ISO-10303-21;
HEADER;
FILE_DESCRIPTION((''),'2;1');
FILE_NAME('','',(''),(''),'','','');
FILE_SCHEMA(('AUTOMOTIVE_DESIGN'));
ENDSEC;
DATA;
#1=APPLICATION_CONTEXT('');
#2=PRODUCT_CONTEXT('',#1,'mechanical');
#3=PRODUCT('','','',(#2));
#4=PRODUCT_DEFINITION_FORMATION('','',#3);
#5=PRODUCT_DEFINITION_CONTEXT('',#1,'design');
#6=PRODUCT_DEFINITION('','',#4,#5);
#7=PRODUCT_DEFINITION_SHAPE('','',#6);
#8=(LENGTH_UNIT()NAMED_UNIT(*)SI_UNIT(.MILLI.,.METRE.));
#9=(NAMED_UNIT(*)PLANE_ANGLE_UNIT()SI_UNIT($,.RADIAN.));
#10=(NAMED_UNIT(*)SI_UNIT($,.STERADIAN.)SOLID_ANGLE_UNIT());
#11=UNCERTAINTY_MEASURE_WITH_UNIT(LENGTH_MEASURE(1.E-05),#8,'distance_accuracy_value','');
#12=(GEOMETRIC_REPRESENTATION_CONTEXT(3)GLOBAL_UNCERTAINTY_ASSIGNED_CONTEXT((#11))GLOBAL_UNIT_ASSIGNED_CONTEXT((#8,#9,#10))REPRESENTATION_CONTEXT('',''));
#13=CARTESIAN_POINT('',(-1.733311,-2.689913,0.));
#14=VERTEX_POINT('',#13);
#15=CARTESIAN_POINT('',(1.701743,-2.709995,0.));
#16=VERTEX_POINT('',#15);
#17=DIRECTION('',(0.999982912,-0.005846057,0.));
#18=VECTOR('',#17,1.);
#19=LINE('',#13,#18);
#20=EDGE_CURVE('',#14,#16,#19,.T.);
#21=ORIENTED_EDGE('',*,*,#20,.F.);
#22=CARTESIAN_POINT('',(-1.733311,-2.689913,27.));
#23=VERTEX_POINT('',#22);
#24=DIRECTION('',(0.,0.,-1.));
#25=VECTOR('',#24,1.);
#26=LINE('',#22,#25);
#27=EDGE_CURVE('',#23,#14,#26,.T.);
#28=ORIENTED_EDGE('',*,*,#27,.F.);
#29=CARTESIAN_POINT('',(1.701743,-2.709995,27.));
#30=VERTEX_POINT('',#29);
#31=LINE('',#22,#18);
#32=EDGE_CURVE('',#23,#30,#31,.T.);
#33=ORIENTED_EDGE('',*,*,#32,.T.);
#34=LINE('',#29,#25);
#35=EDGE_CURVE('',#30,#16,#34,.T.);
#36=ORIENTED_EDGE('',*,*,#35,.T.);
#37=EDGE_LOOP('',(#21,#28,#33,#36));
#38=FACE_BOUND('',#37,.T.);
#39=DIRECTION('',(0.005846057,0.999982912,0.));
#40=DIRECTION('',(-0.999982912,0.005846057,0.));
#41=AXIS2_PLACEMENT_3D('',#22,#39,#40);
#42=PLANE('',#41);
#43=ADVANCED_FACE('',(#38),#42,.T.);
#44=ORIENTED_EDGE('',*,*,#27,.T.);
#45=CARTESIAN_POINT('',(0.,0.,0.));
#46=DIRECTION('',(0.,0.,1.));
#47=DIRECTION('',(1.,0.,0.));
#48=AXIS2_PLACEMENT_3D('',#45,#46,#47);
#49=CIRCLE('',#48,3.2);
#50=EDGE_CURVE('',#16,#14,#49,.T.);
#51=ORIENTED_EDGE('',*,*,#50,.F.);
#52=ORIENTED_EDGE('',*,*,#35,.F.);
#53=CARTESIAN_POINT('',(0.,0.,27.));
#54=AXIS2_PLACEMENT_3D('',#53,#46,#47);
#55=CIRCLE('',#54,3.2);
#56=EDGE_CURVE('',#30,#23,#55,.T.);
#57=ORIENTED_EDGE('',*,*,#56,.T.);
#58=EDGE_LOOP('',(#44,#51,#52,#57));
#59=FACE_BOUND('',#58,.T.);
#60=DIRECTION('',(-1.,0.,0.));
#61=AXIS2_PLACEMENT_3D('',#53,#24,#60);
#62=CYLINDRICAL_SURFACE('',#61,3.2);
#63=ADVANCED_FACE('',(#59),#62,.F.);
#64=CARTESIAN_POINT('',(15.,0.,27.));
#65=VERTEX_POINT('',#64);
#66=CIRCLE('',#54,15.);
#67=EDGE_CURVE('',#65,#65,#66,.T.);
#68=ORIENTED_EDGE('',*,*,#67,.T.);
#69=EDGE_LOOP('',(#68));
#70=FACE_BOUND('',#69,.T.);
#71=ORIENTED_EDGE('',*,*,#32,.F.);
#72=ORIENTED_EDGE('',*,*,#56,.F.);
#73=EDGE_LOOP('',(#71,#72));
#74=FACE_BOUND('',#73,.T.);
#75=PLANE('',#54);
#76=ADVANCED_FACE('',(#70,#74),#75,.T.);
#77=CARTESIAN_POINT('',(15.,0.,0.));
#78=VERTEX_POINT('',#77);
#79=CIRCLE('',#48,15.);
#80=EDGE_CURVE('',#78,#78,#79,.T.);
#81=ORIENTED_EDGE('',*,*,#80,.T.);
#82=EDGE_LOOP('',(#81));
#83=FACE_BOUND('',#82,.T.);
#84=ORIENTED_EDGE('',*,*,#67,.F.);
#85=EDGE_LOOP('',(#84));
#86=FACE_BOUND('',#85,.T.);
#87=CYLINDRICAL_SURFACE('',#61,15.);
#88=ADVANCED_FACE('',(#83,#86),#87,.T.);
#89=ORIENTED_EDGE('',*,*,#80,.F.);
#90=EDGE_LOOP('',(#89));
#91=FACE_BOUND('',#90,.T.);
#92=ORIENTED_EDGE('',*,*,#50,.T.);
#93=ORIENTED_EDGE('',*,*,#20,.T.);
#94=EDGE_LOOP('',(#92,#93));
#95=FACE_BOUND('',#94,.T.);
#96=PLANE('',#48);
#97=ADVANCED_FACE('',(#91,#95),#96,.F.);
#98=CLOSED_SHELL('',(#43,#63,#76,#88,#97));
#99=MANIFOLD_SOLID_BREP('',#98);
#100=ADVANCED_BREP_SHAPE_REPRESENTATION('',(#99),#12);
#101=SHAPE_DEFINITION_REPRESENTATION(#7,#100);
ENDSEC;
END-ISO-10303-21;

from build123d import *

# Parameters (mm, degrees)
SKETCH1_R           = 15
BOSS_EXTRUDE1_DEPTH = 27


with BuildPart() as part:
    # Sketch1 → Boss-Extrude1 (new body)
    with BuildSketch(Plane.XY):
        Circle(SKETCH1_R)
        with BuildLine():
            Line((-1.733311406, -2.689912929), (1.701742701, -2.709994794))
            ThreePointArc((1.701742701, -2.709994794), (0.018707381, 3.199945317), (-1.733311406, -2.689912929))
        make_face(mode=Mode.SUBTRACT)
    extrude(amount=BOSS_EXTRUDE1_DEPTH)


solid = part.part
